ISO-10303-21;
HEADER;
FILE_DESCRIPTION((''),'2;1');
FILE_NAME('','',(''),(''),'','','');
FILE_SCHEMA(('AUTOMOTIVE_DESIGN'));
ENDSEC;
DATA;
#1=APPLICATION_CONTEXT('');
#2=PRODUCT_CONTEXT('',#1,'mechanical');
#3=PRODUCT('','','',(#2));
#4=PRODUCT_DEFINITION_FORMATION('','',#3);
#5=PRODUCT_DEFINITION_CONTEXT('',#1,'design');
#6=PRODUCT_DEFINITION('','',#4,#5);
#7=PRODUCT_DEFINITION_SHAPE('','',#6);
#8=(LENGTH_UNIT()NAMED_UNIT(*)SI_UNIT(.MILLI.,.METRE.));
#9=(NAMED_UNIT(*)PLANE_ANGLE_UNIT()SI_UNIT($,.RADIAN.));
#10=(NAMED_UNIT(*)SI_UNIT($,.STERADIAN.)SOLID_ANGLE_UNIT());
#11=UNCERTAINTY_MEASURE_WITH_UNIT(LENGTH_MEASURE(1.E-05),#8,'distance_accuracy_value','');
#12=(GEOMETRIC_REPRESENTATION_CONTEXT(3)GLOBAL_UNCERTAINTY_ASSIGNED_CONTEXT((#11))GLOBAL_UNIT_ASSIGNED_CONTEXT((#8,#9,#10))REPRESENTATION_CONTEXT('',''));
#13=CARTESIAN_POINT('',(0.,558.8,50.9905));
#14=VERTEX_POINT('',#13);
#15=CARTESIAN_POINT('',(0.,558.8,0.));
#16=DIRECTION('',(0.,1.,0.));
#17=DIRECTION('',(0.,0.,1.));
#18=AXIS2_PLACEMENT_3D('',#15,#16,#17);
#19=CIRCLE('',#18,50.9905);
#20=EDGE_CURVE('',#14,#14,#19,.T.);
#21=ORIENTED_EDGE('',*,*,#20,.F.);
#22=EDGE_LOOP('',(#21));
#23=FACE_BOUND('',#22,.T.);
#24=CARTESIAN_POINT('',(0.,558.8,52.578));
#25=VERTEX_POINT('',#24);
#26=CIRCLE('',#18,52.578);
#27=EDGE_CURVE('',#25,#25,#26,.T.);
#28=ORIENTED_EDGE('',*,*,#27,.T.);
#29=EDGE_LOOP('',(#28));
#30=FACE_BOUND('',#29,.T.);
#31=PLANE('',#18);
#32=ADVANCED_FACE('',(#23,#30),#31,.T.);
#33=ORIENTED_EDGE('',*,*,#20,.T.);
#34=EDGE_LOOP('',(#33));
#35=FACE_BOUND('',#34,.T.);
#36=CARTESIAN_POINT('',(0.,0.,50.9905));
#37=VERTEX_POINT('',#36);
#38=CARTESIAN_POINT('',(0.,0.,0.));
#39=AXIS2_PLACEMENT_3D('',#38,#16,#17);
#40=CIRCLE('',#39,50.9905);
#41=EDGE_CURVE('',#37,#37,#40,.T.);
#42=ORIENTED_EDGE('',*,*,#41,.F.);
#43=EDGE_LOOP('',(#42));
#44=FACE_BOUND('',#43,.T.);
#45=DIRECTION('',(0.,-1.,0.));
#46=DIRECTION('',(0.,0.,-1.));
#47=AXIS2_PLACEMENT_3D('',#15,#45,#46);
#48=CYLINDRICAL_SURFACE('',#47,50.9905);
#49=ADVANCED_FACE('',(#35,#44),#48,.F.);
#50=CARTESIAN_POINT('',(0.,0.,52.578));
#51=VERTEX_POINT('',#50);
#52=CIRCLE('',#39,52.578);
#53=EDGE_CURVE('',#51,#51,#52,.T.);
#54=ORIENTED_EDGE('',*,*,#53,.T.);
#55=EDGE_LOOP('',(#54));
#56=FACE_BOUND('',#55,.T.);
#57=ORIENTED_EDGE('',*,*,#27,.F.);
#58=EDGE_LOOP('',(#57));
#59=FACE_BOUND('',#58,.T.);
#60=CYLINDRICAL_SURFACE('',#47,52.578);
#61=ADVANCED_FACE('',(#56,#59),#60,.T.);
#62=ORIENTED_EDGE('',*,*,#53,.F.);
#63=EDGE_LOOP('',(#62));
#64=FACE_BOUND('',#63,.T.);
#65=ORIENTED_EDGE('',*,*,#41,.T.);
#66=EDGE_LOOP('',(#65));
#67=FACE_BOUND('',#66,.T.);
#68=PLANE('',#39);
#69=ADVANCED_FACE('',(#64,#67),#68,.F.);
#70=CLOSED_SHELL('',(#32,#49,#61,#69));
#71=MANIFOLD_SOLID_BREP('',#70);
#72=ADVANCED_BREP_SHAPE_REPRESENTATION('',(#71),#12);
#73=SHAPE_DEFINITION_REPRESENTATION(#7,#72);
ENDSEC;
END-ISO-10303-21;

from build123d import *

# Parameters (mm, degrees)
SKETCH1_R           = 52.578
SKETCH1_R_2         = 50.9905
BOSS_EXTRUDE1_DEPTH = 558.8


with BuildPart() as part:
    # Sketch1 → Boss-Extrude1 (new body)
    with BuildSketch(Plane(origin=(0, 0, 0), x_dir=(1, 0, 0), z_dir=(0, 1, 0))):
        with Locations(Location((0, 0, 0), (0, 0, 270))):
            Circle(SKETCH1_R)
        with Locations(Location((0, 0, 0), (0, 0, 270))):
            Circle(SKETCH1_R_2, mode=Mode.SUBTRACT)
    extrude(amount=BOSS_EXTRUDE1_DEPTH)


solid = part.part
